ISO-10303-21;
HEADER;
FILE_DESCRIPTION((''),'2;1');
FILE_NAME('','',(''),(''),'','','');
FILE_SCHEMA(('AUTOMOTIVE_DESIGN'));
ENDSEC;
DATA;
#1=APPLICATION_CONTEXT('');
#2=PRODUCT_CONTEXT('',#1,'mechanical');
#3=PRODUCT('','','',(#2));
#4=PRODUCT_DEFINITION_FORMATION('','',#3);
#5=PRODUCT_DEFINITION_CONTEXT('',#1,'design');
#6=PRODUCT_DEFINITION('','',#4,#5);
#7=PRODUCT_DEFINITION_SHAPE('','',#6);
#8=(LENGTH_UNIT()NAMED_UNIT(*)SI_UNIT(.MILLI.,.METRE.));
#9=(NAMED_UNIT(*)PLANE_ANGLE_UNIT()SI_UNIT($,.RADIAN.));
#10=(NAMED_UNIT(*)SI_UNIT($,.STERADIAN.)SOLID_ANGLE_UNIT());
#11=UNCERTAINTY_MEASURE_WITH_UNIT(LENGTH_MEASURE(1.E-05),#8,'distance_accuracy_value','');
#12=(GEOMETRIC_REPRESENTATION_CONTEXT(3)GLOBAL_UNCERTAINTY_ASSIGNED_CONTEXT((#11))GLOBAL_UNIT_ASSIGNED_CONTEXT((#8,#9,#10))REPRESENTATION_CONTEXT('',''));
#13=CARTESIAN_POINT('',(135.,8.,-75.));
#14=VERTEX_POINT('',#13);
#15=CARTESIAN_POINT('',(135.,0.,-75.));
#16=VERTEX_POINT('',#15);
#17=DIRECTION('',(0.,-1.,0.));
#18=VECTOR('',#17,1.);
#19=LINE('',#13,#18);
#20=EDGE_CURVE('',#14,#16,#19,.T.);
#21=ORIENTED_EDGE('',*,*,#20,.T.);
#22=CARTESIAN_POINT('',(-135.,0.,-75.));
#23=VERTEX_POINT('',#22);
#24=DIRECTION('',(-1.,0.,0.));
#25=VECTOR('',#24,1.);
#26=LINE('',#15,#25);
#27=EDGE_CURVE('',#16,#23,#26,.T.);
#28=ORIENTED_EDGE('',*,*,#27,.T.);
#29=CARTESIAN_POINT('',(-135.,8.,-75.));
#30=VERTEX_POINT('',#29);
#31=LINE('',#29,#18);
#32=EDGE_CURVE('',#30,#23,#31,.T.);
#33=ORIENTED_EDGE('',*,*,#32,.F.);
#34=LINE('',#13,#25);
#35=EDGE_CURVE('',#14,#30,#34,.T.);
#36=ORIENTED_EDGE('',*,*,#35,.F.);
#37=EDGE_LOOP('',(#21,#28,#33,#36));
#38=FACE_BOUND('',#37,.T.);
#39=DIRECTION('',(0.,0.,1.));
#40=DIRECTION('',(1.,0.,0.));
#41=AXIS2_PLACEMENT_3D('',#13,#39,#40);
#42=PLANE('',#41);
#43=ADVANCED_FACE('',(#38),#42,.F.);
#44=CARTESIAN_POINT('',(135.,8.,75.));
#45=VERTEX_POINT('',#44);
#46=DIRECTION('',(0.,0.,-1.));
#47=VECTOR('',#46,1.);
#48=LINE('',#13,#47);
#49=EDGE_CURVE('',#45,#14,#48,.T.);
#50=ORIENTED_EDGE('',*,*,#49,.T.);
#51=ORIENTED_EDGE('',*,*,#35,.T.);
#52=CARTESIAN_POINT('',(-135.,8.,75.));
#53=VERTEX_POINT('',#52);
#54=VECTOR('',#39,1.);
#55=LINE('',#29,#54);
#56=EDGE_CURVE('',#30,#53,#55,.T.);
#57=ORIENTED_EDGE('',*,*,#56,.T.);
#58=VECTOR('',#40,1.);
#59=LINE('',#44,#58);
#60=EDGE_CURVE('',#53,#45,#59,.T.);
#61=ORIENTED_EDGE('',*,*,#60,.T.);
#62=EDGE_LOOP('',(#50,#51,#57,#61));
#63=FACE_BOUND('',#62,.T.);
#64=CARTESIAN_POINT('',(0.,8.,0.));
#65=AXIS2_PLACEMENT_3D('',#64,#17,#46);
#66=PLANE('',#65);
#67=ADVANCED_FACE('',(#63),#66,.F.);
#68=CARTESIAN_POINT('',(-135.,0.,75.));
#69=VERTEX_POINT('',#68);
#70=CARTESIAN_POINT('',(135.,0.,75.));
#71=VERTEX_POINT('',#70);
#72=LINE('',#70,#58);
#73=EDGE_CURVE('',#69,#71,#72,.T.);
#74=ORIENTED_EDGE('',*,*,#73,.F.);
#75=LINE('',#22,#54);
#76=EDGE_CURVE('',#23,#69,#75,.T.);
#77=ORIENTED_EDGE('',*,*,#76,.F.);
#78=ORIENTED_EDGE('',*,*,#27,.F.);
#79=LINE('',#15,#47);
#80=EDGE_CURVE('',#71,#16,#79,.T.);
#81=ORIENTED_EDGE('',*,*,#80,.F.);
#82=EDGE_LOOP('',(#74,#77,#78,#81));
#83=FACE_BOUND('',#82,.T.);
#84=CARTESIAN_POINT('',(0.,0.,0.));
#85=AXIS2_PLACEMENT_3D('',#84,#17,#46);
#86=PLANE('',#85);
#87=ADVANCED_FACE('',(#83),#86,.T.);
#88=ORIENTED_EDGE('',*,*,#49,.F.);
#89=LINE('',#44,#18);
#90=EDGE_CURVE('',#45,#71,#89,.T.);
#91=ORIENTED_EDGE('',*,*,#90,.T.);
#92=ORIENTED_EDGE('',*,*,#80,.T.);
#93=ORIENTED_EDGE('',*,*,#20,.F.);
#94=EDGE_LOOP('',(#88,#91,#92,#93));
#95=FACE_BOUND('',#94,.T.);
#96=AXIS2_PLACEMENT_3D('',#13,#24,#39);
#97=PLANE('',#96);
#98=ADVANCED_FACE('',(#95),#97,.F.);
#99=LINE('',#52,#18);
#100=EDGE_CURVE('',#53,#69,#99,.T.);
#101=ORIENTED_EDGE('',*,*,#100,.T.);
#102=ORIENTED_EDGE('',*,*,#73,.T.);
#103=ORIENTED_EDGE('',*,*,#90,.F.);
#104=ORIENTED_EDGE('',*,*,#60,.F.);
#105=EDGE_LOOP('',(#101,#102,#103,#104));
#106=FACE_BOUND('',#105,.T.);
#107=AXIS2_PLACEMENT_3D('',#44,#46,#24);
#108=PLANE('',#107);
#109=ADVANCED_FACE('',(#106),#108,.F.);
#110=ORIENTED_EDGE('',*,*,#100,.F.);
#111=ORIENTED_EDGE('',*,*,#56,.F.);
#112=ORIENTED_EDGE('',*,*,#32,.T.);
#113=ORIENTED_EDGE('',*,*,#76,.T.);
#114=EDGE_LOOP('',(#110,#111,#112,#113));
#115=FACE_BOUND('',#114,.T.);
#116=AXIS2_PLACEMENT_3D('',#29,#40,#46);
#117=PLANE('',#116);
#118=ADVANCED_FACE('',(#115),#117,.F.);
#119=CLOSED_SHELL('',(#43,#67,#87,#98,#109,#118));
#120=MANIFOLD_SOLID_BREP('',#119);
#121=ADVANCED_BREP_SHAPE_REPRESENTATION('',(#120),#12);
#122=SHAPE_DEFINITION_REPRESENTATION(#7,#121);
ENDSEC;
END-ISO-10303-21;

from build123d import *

# Parameters (mm, degrees)
SKETCH_1_W      = 270
SKETCH_1_H      = 150
EXTRUDE_1_DEPTH = 8


with BuildPart() as part:
    # Эскиз1 → Бобышка-Вытянуть1 (new body)
    with BuildSketch(Plane(origin=(0, 0, 0), x_dir=(1, 0, 0), z_dir=(0, 1, 0))):
        Rectangle(SKETCH_1_W, SKETCH_1_H)
    extrude(amount=EXTRUDE_1_DEPTH)


solid = part.part
